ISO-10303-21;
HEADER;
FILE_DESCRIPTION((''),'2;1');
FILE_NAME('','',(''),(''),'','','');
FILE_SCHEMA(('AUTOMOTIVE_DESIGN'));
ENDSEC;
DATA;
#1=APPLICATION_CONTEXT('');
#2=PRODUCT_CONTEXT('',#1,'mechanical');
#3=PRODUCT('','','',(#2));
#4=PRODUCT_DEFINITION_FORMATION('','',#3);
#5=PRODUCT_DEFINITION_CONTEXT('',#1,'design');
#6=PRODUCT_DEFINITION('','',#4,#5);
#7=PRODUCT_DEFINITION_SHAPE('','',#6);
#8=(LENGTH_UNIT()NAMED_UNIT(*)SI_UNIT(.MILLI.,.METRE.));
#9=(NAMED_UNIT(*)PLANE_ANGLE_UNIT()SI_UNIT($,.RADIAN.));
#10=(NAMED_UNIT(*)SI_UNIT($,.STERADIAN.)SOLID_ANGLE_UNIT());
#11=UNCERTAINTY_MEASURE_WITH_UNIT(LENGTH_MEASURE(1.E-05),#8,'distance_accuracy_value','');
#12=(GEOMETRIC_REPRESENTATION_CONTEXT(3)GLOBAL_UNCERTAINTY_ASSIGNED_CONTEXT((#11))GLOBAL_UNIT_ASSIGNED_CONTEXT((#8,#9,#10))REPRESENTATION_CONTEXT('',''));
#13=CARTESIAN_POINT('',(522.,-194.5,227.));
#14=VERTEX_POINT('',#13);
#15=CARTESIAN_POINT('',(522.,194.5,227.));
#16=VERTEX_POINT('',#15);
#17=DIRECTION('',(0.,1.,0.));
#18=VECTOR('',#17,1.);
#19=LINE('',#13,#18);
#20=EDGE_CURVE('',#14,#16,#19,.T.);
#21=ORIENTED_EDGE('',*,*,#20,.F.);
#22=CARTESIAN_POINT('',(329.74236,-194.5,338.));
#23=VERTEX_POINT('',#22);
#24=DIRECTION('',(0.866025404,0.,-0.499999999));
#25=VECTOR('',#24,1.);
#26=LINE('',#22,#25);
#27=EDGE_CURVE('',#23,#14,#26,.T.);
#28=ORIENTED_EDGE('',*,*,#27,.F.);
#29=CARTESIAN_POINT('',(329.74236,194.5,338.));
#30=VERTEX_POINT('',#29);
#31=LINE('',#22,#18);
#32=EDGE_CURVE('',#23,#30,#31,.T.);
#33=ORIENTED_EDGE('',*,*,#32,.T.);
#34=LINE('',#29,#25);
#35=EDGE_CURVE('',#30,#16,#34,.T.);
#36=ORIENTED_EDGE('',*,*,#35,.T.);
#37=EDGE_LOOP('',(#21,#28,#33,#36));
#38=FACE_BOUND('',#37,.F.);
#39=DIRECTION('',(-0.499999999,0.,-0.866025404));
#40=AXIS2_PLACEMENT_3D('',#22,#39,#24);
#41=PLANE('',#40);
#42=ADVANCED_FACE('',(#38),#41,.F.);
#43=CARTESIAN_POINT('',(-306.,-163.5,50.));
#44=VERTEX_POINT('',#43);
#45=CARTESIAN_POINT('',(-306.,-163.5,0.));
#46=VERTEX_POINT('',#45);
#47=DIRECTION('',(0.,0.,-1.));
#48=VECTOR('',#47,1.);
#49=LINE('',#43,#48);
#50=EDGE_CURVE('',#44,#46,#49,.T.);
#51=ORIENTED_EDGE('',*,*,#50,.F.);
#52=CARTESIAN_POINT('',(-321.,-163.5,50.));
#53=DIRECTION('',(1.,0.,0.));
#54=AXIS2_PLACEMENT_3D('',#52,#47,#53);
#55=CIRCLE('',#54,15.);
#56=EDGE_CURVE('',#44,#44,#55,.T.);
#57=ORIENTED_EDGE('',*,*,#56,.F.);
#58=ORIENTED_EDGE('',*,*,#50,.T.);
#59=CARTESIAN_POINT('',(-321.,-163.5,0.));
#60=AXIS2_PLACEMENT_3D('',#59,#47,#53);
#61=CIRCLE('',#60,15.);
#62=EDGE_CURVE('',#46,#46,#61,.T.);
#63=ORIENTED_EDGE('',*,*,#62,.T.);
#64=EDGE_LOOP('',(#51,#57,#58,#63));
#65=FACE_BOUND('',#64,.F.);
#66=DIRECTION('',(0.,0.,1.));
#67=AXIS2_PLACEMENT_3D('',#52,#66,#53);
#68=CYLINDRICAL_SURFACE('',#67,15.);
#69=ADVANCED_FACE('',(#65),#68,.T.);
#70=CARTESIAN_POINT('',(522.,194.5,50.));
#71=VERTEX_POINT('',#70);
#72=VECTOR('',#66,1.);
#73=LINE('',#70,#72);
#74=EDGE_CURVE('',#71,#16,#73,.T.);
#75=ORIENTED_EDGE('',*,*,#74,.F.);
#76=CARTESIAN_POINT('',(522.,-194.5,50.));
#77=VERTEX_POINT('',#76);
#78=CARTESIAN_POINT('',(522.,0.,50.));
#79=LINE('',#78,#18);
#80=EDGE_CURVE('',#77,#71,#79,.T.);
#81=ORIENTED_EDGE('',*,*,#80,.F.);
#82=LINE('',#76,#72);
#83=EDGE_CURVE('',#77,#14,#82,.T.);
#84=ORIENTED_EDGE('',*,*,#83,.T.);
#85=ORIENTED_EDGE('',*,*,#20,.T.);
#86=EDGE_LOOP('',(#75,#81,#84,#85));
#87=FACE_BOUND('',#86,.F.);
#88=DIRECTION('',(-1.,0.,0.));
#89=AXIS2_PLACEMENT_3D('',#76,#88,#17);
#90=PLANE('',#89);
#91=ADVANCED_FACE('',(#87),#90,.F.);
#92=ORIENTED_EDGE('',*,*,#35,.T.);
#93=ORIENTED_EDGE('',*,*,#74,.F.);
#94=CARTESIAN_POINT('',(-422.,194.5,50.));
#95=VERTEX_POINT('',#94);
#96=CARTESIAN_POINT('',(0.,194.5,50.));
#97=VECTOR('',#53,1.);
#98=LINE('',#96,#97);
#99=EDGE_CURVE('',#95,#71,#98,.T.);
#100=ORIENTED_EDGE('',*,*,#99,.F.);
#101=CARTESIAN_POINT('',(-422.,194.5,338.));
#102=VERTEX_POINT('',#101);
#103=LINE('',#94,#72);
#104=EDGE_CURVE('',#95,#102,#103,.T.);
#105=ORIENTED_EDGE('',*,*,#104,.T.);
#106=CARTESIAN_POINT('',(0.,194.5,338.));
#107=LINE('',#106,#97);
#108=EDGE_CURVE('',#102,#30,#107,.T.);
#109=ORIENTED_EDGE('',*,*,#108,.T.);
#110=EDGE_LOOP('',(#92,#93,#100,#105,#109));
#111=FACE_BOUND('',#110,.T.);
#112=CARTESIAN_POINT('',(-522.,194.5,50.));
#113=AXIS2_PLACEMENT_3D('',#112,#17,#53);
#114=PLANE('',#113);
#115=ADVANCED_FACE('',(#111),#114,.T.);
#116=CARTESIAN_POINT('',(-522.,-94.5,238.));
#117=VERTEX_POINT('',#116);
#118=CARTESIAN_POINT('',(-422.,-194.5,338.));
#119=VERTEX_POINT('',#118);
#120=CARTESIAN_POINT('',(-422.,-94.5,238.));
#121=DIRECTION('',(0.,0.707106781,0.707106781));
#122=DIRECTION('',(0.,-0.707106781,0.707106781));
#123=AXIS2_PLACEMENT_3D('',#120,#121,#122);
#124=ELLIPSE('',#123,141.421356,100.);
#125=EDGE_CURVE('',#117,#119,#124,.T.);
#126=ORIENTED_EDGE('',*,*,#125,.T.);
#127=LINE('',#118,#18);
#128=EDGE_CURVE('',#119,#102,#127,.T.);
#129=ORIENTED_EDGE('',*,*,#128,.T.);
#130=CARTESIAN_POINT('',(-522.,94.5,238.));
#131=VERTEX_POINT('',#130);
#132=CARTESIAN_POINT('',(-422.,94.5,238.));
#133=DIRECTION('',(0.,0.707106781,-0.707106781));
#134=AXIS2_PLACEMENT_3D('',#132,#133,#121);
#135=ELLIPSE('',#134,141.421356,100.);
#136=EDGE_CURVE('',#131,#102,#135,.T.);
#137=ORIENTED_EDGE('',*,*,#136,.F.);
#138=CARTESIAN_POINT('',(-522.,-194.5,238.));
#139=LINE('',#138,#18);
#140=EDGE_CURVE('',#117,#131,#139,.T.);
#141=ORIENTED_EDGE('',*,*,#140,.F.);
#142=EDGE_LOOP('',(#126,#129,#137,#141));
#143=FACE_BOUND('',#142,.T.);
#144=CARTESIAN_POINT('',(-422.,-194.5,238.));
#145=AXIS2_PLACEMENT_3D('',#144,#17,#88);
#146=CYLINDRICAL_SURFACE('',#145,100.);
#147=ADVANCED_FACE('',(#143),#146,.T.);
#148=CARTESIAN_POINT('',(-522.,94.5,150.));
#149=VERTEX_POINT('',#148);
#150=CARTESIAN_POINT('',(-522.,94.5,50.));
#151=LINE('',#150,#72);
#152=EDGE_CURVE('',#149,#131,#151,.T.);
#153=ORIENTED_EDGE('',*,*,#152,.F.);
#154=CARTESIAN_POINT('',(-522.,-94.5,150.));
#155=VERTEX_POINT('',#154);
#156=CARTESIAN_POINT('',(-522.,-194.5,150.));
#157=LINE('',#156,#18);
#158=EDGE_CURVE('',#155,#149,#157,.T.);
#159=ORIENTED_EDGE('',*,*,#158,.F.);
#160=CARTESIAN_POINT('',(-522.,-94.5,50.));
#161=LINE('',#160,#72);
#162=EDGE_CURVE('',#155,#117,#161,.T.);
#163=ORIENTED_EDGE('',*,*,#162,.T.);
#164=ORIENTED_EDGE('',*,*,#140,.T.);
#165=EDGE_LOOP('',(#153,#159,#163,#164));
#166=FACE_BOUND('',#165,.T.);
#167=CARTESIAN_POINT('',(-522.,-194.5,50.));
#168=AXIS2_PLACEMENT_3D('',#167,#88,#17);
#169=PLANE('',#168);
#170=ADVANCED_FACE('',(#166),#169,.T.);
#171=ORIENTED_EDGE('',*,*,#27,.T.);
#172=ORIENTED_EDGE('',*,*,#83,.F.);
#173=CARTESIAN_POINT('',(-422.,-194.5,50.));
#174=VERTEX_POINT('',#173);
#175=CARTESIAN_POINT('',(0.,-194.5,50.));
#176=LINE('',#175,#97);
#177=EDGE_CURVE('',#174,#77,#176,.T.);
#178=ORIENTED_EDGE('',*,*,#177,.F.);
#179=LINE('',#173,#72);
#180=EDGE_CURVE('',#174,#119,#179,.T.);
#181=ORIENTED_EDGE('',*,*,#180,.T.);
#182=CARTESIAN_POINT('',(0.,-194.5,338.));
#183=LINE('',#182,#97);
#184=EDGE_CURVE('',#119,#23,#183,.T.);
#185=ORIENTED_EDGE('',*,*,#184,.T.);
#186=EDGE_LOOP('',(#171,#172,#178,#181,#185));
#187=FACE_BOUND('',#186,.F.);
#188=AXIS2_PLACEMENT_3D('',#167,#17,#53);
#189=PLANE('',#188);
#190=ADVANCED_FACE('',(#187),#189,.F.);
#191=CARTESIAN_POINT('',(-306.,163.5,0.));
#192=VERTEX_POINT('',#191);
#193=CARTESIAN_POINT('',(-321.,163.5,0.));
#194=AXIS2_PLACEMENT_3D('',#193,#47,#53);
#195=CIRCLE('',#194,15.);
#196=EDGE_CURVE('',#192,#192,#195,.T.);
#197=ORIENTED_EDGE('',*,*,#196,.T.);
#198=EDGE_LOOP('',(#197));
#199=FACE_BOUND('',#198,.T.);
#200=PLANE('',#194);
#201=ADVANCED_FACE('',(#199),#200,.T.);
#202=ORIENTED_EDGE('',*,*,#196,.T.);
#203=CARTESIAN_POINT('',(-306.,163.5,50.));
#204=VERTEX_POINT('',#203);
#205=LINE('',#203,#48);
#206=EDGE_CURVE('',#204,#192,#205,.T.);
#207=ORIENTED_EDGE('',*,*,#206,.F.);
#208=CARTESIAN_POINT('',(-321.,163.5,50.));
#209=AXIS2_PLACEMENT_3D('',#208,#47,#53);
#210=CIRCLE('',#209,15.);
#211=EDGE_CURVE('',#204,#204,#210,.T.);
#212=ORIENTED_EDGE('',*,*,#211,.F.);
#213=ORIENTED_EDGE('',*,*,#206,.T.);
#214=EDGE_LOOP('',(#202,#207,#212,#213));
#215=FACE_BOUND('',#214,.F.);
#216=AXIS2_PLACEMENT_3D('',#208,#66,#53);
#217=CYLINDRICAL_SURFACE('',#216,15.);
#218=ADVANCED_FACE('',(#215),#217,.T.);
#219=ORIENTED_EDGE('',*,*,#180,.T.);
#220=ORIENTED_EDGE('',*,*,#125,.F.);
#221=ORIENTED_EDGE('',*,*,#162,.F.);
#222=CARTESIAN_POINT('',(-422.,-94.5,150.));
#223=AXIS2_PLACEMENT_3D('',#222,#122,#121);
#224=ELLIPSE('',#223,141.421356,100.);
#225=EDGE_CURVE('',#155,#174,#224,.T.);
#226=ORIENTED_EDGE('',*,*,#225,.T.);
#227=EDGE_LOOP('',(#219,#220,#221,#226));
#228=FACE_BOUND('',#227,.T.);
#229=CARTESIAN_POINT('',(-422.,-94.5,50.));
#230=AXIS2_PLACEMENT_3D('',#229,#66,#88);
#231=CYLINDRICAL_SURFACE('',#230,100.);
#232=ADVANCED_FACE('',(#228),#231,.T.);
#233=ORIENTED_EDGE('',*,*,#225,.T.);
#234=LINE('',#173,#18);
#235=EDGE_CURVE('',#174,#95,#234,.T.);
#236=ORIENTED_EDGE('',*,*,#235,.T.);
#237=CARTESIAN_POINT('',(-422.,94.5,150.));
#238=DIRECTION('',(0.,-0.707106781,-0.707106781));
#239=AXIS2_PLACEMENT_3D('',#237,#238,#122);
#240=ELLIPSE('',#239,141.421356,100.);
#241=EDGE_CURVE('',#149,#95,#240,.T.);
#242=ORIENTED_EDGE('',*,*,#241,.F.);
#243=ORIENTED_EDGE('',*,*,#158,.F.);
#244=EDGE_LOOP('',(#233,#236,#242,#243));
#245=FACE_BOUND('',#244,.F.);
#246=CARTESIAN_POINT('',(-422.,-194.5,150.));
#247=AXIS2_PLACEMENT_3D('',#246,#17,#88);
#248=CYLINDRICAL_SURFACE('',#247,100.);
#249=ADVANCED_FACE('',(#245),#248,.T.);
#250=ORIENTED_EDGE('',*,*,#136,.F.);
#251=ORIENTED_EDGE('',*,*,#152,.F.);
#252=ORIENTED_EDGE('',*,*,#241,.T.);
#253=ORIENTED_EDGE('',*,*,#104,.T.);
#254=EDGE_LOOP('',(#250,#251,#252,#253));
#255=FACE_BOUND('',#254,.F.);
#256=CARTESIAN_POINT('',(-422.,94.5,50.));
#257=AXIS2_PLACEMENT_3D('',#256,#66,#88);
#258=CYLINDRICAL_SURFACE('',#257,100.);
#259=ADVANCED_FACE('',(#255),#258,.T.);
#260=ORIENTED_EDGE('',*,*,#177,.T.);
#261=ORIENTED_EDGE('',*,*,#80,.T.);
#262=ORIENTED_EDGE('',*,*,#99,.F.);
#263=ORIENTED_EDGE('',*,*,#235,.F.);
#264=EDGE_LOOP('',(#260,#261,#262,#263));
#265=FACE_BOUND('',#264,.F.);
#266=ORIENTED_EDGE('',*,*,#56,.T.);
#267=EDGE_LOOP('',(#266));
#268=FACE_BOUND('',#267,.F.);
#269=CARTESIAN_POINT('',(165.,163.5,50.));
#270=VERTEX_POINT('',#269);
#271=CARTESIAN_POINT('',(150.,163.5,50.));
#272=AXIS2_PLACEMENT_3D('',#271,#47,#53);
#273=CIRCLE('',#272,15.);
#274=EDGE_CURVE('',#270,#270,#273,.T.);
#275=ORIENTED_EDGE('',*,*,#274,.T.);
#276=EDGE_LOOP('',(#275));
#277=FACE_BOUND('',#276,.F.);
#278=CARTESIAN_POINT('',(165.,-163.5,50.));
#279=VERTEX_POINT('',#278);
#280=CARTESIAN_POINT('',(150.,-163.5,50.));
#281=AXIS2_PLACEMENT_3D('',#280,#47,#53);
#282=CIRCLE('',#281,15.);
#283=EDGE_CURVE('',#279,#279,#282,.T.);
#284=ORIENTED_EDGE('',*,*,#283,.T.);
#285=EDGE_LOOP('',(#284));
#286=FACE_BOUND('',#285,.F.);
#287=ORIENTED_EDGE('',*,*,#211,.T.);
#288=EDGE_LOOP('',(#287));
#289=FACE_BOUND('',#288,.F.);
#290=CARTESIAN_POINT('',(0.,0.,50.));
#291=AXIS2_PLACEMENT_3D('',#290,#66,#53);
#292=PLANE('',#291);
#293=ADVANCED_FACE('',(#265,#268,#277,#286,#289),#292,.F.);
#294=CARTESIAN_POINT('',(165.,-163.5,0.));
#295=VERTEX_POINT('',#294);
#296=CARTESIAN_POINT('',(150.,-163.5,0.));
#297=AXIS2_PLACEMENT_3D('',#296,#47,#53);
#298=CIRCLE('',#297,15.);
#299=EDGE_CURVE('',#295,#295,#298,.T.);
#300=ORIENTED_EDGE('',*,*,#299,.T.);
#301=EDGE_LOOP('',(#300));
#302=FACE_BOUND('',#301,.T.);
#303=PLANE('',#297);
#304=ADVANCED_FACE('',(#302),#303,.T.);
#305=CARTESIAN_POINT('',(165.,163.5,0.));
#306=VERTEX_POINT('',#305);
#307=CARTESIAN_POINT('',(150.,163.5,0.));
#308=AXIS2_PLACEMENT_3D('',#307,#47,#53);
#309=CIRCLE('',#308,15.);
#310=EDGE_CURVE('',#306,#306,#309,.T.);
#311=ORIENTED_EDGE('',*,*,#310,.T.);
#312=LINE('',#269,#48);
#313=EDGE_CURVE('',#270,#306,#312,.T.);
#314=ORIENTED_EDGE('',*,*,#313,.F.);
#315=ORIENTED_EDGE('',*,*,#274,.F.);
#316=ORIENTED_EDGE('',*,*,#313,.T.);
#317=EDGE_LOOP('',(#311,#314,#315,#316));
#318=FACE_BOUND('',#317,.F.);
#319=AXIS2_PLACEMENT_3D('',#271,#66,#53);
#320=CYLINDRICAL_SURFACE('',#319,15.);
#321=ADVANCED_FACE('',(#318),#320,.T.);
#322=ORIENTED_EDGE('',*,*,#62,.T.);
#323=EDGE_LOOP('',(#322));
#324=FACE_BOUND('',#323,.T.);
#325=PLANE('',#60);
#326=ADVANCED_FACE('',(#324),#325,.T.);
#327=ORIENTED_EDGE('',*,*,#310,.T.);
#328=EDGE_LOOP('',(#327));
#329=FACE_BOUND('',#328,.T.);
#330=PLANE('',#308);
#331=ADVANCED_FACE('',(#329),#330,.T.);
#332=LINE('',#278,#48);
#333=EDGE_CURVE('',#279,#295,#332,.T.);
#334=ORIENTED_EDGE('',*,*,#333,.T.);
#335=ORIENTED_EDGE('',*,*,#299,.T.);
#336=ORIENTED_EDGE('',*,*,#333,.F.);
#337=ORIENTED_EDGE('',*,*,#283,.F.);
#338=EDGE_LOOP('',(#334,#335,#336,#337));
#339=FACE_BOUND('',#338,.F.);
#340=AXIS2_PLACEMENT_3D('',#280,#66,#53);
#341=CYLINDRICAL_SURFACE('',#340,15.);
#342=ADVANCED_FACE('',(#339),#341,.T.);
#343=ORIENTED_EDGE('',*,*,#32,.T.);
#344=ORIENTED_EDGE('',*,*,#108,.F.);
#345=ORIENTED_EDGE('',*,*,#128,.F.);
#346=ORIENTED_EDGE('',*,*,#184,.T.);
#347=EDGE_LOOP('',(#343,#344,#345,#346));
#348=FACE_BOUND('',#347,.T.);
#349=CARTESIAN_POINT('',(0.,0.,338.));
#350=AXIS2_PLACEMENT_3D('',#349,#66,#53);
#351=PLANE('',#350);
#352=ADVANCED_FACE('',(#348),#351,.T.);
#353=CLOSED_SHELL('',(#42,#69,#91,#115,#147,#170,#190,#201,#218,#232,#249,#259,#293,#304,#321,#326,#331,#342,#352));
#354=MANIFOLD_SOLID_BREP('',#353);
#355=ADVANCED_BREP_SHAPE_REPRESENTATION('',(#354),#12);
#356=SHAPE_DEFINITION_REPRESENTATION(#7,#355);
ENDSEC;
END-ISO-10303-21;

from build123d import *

# Parameters (mm, degrees)
F0_W     = 1044
F0_H     = 389
F1_DEPTH = 288
F3_DEPTH = 389
F4_R     = 100
F5_R     = 15
F6_DEPTH = 50


with BuildPart() as f1:
    # F0 (on Top) → F1 (new body)
    with BuildSketch(Plane.XY):
        Rectangle(F0_W, F0_H)
    extrude(amount=F1_DEPTH)

    # F2 (on face) → F3 (cut, through all)
    with BuildSketch(Plane.XZ.offset(194.5)):
        Polygon((522, 288), (329.74236, 288), (522, 177), align=None)
    extrude(amount=-F3_DEPTH, mode=Mode.SUBTRACT)

    # F4
    f4_edges = [f1.edges().sort_by_distance(p)[0] for p in [
        (-522, 194.5, 144),
        (-522, -194.5, 144),
        (-522, 0, 0),
        (-522, 0, 288),
    ]]
    fillet(f4_edges, radius=F4_R)

    # F5 (on face) → F6 (join)
    with BuildSketch(Plane(origin=(0, 0, 0), x_dir=(1, 0, 0), z_dir=(0, 0, -1))):
        with Locations((150, 163.5)):
            Circle(F5_R)
        with Locations((-321, 163.5)):
            Circle(F5_R)
        with Locations((-321, -163.5)):
            Circle(F5_R)
        with Locations((150, -163.5)):
            Circle(F5_R)
    extrude(amount=F6_DEPTH)


with BuildPart() as f1_1:
    # F7: moved
    add(f1.part.moved(Location((0, 0, 50))))


solid = f1_1.part
